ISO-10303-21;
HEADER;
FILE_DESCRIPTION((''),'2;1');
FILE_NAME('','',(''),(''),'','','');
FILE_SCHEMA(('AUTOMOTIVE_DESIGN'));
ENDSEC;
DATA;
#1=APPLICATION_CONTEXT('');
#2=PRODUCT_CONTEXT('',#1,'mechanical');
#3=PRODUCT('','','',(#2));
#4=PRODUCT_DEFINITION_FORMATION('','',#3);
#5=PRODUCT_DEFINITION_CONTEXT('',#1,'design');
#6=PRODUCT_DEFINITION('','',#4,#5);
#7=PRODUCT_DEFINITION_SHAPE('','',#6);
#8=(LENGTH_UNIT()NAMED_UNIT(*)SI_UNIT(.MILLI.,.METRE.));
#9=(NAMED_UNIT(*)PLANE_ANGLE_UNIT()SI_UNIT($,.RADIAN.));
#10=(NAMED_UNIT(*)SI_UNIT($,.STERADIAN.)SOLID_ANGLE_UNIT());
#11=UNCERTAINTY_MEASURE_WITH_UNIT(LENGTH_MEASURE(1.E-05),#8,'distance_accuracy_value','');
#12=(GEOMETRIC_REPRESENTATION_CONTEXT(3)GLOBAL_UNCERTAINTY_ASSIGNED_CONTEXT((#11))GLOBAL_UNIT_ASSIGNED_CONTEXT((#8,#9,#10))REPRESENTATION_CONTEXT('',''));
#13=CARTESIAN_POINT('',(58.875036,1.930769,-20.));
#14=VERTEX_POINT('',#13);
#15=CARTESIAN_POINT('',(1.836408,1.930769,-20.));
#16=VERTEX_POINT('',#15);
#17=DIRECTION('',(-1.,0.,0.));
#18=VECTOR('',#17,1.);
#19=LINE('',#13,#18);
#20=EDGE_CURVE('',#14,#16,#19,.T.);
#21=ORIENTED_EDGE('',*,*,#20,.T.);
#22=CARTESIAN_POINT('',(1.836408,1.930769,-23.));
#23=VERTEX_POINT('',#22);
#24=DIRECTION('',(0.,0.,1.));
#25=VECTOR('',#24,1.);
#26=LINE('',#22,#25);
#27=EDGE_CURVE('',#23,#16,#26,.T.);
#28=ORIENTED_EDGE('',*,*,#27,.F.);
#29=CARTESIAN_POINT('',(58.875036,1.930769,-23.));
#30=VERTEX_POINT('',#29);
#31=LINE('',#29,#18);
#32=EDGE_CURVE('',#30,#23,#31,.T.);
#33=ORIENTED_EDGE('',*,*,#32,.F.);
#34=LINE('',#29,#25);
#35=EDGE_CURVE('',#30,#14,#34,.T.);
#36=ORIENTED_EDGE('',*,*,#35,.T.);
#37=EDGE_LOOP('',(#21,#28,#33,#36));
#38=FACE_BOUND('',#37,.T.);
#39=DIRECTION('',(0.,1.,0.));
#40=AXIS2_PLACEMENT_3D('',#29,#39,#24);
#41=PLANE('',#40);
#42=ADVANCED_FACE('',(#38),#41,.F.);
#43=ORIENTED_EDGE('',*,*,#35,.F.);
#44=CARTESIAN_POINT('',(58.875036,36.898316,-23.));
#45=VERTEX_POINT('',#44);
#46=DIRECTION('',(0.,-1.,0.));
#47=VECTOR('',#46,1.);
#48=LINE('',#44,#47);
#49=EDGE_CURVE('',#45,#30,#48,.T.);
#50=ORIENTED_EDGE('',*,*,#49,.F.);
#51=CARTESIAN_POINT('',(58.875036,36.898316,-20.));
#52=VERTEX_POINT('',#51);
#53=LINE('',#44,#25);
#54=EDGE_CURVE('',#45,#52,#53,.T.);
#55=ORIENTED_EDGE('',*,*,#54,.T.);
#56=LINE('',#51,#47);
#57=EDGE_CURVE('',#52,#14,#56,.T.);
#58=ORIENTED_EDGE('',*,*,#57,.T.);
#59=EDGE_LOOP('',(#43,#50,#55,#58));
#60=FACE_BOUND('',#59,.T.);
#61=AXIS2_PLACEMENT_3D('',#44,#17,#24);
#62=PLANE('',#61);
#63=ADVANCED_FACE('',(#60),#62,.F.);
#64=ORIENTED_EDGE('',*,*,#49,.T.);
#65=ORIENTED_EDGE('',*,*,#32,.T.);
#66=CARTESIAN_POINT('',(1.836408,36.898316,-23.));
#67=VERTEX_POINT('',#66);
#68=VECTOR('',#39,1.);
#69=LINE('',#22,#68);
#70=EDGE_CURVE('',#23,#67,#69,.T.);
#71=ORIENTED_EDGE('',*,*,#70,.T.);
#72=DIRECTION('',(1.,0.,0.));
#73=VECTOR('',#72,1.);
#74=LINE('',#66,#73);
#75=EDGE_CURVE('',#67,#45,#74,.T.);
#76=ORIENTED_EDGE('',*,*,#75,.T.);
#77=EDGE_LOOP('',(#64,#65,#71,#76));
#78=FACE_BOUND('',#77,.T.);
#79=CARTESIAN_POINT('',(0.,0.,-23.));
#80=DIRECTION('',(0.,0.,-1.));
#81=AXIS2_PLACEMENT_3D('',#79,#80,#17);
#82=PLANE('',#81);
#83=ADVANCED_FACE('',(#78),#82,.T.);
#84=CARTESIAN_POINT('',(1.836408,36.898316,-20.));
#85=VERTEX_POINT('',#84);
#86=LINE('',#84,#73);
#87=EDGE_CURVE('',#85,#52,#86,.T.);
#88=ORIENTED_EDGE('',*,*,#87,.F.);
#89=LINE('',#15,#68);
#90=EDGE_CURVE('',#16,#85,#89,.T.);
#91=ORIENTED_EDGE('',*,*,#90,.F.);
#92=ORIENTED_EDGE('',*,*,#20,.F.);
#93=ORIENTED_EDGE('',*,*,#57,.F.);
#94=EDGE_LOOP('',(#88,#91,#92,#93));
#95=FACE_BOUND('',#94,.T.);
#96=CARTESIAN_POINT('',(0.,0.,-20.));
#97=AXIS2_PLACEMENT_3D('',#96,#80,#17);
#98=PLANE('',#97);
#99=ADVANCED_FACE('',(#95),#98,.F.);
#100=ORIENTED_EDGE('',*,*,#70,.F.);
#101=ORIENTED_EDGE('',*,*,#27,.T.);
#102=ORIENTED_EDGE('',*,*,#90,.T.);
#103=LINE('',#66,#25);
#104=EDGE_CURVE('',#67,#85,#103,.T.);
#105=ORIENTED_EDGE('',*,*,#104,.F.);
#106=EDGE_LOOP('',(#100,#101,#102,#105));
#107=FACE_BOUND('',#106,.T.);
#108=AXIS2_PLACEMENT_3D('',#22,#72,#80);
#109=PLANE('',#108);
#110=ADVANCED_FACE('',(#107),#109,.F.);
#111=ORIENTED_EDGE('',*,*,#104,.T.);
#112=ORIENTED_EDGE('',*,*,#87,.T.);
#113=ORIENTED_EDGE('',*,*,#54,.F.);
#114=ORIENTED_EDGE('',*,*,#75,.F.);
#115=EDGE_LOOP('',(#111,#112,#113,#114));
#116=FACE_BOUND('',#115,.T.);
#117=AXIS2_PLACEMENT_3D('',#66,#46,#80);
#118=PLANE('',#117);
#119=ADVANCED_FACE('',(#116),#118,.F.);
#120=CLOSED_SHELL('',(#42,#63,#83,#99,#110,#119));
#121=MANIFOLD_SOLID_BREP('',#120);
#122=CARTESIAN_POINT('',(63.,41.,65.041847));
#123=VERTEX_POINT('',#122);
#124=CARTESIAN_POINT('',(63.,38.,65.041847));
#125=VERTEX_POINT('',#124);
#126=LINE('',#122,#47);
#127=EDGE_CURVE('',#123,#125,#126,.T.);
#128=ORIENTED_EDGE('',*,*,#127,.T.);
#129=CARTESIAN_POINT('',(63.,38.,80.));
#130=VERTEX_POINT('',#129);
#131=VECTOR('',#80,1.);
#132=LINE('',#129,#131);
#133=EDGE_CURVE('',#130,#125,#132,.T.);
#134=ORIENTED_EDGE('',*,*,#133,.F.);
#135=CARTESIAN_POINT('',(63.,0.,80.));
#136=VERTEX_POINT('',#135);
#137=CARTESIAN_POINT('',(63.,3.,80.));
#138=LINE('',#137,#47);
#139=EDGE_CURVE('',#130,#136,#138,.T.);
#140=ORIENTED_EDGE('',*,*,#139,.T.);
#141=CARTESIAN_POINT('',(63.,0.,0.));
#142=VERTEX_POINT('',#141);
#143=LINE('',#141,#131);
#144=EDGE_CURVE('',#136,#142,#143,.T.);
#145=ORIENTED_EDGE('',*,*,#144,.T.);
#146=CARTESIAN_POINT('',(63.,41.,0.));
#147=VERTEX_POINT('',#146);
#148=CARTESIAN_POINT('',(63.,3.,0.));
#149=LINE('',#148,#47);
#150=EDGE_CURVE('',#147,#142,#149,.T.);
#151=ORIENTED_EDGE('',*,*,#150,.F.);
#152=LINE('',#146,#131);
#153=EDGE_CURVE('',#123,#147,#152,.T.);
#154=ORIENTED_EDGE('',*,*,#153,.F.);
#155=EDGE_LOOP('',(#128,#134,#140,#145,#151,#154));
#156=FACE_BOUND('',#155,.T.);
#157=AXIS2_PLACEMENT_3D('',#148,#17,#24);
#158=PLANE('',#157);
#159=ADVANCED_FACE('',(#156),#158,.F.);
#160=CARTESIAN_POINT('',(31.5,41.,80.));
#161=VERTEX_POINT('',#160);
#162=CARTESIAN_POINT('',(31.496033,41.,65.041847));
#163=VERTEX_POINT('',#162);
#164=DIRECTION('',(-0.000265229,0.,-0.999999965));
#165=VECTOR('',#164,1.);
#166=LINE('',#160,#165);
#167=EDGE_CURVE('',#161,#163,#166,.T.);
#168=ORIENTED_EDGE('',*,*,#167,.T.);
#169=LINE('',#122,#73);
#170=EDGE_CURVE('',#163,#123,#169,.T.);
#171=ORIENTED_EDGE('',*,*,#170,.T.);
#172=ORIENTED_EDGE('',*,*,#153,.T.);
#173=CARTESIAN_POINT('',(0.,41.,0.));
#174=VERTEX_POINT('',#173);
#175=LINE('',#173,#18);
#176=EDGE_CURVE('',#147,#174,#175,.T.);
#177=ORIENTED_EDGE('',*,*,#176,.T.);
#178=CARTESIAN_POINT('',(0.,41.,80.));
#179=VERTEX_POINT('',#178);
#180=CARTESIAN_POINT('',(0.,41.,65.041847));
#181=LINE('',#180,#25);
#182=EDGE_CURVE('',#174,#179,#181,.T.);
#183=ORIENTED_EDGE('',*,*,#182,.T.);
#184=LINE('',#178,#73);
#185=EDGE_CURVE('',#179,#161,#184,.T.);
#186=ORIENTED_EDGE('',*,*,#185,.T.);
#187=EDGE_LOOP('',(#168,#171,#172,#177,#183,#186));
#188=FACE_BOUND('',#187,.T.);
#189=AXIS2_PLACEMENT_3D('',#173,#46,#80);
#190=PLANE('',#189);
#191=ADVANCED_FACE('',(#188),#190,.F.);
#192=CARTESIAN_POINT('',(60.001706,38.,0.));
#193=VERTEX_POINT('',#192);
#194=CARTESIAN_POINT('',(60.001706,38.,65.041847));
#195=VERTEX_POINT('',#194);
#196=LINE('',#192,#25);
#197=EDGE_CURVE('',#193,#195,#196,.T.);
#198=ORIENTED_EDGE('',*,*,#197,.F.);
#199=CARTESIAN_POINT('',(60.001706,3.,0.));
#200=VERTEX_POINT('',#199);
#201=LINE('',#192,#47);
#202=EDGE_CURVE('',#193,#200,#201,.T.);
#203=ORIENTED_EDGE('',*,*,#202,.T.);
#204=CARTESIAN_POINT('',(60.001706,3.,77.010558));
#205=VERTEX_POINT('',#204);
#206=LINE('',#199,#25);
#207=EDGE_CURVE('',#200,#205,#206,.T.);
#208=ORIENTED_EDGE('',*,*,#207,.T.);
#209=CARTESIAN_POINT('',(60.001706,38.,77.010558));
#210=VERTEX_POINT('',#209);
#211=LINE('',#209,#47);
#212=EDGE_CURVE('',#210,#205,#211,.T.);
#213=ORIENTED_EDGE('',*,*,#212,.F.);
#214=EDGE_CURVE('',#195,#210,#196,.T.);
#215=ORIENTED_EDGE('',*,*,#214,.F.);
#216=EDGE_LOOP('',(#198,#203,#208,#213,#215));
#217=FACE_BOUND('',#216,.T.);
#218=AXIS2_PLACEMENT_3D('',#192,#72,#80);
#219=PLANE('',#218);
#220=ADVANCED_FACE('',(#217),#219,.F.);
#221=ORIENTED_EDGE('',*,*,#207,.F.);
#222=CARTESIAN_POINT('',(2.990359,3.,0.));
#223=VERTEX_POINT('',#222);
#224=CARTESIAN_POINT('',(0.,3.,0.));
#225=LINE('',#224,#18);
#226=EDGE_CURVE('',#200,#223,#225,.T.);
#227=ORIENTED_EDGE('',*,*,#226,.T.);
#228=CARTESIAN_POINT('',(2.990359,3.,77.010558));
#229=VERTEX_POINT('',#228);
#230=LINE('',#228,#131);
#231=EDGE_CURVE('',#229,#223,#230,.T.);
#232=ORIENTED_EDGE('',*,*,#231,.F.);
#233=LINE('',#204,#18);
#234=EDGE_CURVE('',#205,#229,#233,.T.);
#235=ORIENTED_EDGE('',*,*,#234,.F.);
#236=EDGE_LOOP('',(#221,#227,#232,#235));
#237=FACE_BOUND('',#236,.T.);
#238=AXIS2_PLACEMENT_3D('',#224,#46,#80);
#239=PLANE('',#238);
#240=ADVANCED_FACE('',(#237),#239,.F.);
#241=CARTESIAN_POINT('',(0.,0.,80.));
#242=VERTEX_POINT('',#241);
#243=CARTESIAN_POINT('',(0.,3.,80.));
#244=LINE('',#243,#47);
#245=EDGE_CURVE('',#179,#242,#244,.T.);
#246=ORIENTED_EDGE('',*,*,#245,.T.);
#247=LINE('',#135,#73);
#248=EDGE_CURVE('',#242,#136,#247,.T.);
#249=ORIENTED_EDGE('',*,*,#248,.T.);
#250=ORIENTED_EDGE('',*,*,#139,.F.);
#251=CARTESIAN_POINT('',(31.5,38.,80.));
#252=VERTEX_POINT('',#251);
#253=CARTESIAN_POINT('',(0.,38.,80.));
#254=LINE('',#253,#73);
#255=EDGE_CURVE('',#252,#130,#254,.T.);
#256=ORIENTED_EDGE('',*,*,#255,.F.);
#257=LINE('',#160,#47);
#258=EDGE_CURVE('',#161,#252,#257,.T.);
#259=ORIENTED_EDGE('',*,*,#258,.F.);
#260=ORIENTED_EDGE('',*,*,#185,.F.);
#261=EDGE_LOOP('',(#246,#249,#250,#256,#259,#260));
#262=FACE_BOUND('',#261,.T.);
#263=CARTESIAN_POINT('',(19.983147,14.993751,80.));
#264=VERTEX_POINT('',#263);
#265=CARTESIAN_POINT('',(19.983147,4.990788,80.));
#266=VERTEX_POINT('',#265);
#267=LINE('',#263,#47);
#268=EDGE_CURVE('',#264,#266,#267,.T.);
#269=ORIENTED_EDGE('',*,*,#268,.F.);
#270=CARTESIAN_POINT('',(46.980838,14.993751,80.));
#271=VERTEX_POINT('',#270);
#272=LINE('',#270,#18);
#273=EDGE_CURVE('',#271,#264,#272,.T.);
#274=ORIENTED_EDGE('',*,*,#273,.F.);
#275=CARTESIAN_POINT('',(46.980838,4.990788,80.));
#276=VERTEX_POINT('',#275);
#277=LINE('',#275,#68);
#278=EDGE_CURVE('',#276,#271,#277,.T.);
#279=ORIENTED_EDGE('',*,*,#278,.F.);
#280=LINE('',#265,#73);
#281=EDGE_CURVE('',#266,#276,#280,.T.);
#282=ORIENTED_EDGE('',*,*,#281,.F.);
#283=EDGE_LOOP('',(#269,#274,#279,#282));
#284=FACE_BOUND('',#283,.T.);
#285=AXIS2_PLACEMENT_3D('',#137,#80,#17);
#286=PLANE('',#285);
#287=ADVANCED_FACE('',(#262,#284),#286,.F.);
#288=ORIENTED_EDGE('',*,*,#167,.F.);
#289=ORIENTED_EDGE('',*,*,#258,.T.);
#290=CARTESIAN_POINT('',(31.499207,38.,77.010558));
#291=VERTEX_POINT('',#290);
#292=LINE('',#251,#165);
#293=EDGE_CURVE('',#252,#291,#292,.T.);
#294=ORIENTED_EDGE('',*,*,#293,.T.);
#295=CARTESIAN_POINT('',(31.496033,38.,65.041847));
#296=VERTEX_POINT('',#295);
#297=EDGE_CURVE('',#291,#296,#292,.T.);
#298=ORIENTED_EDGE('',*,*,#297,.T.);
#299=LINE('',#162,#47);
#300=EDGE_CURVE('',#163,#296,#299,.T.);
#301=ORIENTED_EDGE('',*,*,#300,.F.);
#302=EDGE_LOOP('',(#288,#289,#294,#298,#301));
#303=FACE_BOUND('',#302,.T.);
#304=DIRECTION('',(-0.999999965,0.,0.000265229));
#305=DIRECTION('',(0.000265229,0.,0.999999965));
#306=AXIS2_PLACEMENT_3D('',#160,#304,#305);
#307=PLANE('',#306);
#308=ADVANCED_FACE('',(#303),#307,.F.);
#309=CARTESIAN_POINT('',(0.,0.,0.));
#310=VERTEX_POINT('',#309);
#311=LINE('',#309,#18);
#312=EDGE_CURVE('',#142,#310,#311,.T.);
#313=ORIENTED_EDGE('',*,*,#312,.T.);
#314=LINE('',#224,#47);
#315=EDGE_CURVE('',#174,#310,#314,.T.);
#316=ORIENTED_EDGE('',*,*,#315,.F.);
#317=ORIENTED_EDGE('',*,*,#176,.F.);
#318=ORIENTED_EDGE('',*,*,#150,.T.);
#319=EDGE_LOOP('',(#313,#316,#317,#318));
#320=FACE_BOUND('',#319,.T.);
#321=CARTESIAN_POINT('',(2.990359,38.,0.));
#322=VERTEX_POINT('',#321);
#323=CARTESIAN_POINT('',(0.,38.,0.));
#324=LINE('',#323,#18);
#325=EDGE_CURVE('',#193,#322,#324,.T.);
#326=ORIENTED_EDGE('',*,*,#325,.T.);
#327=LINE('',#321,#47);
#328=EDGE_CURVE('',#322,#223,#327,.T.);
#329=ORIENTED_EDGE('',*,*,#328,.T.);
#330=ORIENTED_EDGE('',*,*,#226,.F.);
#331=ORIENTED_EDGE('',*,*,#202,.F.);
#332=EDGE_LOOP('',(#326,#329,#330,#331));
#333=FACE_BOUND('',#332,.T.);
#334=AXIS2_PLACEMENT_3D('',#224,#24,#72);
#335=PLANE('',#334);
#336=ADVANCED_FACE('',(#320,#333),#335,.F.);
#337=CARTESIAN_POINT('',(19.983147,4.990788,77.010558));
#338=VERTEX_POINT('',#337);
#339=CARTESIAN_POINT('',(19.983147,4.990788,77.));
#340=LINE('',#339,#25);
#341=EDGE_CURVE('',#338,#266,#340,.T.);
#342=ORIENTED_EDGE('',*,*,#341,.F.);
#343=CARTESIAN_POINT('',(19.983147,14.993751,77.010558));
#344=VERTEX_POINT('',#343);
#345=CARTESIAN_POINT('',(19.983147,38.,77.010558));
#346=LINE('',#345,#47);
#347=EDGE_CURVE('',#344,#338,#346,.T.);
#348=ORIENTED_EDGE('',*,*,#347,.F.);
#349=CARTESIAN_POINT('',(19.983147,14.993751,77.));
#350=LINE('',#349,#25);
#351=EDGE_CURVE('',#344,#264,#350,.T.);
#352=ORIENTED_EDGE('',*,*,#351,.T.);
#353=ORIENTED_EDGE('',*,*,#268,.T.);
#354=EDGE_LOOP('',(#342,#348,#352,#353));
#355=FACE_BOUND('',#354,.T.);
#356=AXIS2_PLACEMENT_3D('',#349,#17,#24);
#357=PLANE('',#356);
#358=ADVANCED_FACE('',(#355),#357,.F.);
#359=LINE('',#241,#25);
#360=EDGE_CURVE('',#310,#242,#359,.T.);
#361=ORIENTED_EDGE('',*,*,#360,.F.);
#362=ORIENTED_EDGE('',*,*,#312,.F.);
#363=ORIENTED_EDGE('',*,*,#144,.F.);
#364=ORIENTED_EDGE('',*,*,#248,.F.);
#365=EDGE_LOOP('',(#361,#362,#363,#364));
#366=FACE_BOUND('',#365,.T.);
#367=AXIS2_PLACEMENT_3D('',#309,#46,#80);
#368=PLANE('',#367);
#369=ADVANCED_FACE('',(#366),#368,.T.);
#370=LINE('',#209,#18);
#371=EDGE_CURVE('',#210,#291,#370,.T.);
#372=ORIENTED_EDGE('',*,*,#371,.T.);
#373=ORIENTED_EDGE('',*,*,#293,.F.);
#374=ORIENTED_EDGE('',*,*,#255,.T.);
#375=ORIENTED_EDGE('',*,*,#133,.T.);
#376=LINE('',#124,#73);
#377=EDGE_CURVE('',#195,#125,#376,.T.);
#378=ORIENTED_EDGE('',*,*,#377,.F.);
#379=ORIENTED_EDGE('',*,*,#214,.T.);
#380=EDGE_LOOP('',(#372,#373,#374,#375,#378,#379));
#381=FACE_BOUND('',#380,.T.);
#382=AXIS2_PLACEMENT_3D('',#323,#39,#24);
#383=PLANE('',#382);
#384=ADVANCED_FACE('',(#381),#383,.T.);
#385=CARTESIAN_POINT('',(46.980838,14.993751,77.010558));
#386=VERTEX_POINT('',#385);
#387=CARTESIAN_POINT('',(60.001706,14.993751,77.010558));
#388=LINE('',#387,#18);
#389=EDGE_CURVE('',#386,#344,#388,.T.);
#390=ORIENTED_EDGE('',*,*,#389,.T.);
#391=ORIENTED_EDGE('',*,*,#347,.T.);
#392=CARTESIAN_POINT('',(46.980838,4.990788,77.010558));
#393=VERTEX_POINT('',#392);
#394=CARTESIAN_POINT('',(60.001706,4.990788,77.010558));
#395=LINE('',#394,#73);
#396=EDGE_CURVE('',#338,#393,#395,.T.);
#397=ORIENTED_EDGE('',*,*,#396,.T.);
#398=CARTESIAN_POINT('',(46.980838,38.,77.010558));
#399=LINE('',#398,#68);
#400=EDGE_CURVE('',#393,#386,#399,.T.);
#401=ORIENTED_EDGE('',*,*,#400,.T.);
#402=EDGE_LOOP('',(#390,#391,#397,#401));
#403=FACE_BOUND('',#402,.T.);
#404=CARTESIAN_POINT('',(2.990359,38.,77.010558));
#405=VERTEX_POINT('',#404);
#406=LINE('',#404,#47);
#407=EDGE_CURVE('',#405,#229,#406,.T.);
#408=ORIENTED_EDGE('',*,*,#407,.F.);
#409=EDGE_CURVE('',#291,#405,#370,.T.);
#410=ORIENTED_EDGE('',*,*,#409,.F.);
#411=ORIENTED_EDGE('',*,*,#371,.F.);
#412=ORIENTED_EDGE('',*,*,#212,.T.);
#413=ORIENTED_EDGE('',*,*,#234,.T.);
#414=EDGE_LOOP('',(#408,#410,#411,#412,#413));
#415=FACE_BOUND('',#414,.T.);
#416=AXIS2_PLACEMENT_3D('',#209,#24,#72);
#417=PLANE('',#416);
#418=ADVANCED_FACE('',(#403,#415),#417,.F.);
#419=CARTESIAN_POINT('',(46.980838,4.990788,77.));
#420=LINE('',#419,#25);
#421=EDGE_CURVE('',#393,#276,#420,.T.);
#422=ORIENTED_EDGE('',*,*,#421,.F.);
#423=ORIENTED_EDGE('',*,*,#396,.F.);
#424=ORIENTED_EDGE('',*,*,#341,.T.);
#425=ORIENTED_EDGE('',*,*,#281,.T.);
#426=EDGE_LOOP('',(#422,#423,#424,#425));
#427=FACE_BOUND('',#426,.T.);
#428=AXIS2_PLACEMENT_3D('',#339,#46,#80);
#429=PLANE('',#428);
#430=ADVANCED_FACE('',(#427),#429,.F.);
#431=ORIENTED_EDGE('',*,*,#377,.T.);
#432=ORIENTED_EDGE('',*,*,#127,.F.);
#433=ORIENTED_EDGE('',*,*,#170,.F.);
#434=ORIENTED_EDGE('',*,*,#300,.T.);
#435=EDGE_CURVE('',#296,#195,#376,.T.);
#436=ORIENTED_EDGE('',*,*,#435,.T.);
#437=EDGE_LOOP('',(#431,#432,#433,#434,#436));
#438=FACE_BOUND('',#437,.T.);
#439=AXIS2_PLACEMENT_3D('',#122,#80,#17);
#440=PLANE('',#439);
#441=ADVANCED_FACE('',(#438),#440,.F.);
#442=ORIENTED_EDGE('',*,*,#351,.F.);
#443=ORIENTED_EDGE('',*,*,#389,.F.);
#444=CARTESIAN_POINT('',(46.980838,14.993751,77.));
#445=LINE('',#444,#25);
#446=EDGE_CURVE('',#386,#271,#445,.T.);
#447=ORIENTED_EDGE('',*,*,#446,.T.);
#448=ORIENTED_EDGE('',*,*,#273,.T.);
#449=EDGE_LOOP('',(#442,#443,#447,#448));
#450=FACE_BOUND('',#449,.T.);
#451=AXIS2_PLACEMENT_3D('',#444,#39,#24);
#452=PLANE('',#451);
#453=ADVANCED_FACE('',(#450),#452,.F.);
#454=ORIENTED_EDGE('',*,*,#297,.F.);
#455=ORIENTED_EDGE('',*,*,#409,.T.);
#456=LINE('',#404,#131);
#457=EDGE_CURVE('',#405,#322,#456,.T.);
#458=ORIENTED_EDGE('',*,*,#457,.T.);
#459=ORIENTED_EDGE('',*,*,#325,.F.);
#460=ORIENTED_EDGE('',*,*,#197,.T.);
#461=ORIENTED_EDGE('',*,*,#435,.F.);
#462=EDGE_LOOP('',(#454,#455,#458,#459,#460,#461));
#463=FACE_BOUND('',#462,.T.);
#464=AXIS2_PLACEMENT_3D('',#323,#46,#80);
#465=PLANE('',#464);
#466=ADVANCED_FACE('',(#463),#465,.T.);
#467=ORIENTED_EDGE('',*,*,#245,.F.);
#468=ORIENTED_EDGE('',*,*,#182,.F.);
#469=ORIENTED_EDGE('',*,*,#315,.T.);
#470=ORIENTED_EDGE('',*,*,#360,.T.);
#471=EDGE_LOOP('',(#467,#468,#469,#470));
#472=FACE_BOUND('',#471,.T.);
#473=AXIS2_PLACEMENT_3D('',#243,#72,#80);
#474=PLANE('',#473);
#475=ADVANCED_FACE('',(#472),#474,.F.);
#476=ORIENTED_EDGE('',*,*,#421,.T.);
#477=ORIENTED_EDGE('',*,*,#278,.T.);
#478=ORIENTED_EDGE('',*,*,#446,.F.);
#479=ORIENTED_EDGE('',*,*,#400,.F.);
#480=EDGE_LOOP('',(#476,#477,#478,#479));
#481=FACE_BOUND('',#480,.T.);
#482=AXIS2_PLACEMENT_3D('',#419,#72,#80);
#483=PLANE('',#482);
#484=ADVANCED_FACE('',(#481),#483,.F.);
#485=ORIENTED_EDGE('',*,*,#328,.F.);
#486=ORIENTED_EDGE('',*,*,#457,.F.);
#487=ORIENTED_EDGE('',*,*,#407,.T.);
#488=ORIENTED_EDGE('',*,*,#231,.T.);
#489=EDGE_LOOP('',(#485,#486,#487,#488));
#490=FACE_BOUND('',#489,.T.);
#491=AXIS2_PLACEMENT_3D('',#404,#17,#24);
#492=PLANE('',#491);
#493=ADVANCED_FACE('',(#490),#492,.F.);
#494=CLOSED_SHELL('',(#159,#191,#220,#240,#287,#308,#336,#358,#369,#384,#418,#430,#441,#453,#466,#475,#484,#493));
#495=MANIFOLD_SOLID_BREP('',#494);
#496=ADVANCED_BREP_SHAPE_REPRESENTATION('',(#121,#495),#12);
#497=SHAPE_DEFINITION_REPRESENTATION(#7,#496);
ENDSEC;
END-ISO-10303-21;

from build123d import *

# Parameters (mm, degrees)
ESBO_O2_W                = 63
ESBO_O2_H                = 80
RESSALTO_EXTRUS_O1_DEPTH = 3
RESSALTO_EXTRUS_O2_DEPTH = 35
ESBO_O4_W                = 63
ESBO_O4_H                = 65.041847247
RESSALTO_EXTRUS_O3_DEPTH = 3
ESBO_O6_W                = 57.038627548
ESBO_O6_H                = 34.967547607
RESSALTO_EXTRUS_O4_DEPTH = 3
RESSALTO_EXTRUS_O5_DEPTH = 3
ESBO_O8_W                = 26.997691041
ESBO_O8_H                = 10.002963711
CORTE_EXTRUS_O1_DEPTH    = 3


with BuildPart() as part:
    # Esboço2 → Ressalto-extrusão1 (new body)
    with BuildSketch(Plane(origin=(0, 0, 0), x_dir=(1, 0, 0), z_dir=(0, 1, 0))):
        with Locations((31.5, -40)):
            Rectangle(ESBO_O2_W, ESBO_O2_H)
    extrude(amount=RESSALTO_EXTRUS_O1_DEPTH)

    # Esboço3 → Ressalto-extrusão2 (add)
    with BuildSketch(Plane(origin=(0, 3, 0), x_dir=(1, 0, 0), z_dir=(0, 1, 0))):
        Polygon((63, -80), (63, 0), (60.001706293, 0), (60.001706293, -77.010558462), (2.99035903, -77.010558462), (2.99035903, 0), (0, 0), (0, -80), align=None)
    extrude(amount=RESSALTO_EXTRUS_O2_DEPTH)

    # Esboço4 → Ressalto-extrusão3 (add)
    with BuildSketch(Plane(origin=(0, 38, 0), x_dir=(1, 0, 0), z_dir=(0, 1, 0))):
        with Locations((31.5, -32.520923624)):
            Rectangle(ESBO_O4_W, ESBO_O4_H)
    extrude(amount=RESSALTO_EXTRUS_O3_DEPTH)

    # Esboço7 → Ressalto-extrusão5 (add)
    with BuildSketch(Plane(origin=(0, 38, 0), x_dir=(1, 0, 0), z_dir=(0, 1, 0))):
        Polygon((0, -65.041847247), (0, -80), (31.5, -80), (31.496032662, -65.041847247), align=None)
    extrude(amount=RESSALTO_EXTRUS_O5_DEPTH)

    # Esboço8 → Corte-extrusão1 (cut)
    with BuildSketch(Plane.XY.offset(80)):
        with Locations((33.481992584, 9.992269492)):
            Rectangle(ESBO_O8_W, ESBO_O8_H)
    extrude(amount=-CORTE_EXTRUS_O1_DEPTH, mode=Mode.SUBTRACT)


with BuildPart() as body_2:
    # Esboço6 → Ressalto-extrusão4 (new body)
    with BuildSketch(Plane(origin=(0, 0, -20), x_dir=(-1, 0, 0), z_dir=(0, 0, -1))):
        with Locations((-30.355722228, 19.414542594)):
            Rectangle(ESBO_O6_W, ESBO_O6_H)
    extrude(amount=RESSALTO_EXTRUS_O4_DEPTH)


solid = Compound([part.part, body_2.part])
